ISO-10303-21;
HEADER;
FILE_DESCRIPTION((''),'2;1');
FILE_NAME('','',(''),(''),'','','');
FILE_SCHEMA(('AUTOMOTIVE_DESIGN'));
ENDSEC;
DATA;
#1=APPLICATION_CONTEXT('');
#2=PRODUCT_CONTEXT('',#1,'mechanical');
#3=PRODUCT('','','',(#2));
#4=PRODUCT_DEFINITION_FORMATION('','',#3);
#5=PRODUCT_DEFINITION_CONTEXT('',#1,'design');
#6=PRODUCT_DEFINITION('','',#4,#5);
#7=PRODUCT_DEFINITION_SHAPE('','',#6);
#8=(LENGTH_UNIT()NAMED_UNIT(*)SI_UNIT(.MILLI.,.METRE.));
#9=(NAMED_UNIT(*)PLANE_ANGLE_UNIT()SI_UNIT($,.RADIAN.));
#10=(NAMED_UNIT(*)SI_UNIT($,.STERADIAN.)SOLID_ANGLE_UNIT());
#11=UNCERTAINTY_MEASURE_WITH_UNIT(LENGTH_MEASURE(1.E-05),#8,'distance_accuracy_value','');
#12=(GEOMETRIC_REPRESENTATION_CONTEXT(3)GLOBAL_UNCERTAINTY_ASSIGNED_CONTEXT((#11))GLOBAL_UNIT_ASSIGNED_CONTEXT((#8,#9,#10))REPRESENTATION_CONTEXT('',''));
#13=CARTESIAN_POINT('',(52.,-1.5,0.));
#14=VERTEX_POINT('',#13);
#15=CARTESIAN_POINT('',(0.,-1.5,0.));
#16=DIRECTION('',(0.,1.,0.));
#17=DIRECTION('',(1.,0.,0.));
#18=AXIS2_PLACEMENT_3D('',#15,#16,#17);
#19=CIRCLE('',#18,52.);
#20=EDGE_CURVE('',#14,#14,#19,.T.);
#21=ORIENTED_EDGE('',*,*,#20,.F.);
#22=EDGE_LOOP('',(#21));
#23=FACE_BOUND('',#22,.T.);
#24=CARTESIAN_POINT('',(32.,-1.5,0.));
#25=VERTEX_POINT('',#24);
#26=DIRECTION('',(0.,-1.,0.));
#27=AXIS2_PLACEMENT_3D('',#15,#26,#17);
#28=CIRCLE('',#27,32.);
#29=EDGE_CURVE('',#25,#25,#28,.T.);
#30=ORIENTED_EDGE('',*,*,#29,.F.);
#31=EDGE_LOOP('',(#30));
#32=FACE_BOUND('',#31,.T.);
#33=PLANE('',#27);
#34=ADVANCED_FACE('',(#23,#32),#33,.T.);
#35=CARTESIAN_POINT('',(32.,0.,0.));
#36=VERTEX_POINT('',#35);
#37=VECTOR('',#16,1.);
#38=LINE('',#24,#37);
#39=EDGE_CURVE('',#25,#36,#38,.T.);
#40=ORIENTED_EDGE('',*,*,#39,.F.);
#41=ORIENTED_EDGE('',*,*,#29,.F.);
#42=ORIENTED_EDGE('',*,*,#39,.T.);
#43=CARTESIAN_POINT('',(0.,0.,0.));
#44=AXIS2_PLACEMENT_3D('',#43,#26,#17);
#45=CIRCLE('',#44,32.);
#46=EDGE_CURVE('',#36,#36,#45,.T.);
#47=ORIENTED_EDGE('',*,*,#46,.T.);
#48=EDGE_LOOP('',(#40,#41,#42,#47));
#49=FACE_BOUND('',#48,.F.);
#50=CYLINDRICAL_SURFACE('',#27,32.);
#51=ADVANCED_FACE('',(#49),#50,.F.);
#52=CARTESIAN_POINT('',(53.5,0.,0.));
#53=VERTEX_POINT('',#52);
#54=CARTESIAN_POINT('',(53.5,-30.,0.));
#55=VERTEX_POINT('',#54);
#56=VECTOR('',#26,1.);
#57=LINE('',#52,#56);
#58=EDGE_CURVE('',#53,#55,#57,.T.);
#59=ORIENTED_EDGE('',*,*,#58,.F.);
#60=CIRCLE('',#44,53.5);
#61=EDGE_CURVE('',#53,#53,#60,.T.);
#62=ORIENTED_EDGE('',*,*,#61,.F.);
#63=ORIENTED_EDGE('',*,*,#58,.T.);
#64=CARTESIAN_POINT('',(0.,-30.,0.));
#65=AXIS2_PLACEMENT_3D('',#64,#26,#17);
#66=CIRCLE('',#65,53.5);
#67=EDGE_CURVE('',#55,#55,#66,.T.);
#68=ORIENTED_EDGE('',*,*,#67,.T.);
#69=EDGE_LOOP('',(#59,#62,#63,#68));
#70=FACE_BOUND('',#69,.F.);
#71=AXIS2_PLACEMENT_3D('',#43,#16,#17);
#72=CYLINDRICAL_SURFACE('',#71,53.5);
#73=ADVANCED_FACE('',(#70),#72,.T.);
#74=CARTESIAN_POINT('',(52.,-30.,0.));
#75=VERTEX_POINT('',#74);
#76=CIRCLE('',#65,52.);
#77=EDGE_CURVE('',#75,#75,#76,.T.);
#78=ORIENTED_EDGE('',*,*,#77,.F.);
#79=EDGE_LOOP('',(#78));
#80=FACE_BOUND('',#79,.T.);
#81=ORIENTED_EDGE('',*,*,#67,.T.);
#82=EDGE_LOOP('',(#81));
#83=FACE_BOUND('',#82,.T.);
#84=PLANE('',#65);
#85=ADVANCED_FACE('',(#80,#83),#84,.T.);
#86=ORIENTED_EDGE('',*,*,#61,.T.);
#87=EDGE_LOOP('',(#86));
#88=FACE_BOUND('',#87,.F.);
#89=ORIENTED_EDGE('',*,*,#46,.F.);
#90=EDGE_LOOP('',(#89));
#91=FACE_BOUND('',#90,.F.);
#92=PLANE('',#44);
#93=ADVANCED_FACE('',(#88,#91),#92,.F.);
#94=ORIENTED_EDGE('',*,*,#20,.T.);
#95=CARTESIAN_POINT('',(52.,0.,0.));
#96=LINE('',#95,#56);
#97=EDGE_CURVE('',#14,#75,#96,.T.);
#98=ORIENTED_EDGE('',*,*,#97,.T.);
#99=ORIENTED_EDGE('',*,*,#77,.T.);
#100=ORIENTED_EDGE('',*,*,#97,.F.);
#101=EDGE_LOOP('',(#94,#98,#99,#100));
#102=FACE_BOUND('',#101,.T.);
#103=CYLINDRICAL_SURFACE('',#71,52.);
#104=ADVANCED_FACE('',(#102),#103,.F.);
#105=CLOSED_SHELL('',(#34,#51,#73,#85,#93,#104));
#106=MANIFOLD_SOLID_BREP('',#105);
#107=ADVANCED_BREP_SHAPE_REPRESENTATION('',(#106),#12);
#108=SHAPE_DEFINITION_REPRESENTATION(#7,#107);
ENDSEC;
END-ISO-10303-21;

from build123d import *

# Parameters (mm, degrees)
F0_R     = 53.5
F0_R_2   = 51.5
F1_DEPTH = 30
F2_T     = -1.5
F3_R     = 32
F4_DEPTH = 25


with BuildPart() as f1:
    # F0 (on Front) → F1 (new body)
    with BuildSketch(Plane.XZ):
        Circle(F0_R)
        Circle(F0_R_2, mode=Mode.SUBTRACT)
        Circle(F0_R_2)
    extrude(amount=F1_DEPTH)

    # F2
    f2_openings = [f1.faces().sort_by_distance(p)[0] for p in [
        (0, -30, 0),
    ]]
    offset(amount=F2_T, openings=f2_openings)

    # F3 (on face) → F4 (cut)
    with BuildSketch(Plane.XZ.offset(1.5)):
        Circle(F3_R)
    extrude(amount=-F4_DEPTH, mode=Mode.SUBTRACT)


solid = f1.part
